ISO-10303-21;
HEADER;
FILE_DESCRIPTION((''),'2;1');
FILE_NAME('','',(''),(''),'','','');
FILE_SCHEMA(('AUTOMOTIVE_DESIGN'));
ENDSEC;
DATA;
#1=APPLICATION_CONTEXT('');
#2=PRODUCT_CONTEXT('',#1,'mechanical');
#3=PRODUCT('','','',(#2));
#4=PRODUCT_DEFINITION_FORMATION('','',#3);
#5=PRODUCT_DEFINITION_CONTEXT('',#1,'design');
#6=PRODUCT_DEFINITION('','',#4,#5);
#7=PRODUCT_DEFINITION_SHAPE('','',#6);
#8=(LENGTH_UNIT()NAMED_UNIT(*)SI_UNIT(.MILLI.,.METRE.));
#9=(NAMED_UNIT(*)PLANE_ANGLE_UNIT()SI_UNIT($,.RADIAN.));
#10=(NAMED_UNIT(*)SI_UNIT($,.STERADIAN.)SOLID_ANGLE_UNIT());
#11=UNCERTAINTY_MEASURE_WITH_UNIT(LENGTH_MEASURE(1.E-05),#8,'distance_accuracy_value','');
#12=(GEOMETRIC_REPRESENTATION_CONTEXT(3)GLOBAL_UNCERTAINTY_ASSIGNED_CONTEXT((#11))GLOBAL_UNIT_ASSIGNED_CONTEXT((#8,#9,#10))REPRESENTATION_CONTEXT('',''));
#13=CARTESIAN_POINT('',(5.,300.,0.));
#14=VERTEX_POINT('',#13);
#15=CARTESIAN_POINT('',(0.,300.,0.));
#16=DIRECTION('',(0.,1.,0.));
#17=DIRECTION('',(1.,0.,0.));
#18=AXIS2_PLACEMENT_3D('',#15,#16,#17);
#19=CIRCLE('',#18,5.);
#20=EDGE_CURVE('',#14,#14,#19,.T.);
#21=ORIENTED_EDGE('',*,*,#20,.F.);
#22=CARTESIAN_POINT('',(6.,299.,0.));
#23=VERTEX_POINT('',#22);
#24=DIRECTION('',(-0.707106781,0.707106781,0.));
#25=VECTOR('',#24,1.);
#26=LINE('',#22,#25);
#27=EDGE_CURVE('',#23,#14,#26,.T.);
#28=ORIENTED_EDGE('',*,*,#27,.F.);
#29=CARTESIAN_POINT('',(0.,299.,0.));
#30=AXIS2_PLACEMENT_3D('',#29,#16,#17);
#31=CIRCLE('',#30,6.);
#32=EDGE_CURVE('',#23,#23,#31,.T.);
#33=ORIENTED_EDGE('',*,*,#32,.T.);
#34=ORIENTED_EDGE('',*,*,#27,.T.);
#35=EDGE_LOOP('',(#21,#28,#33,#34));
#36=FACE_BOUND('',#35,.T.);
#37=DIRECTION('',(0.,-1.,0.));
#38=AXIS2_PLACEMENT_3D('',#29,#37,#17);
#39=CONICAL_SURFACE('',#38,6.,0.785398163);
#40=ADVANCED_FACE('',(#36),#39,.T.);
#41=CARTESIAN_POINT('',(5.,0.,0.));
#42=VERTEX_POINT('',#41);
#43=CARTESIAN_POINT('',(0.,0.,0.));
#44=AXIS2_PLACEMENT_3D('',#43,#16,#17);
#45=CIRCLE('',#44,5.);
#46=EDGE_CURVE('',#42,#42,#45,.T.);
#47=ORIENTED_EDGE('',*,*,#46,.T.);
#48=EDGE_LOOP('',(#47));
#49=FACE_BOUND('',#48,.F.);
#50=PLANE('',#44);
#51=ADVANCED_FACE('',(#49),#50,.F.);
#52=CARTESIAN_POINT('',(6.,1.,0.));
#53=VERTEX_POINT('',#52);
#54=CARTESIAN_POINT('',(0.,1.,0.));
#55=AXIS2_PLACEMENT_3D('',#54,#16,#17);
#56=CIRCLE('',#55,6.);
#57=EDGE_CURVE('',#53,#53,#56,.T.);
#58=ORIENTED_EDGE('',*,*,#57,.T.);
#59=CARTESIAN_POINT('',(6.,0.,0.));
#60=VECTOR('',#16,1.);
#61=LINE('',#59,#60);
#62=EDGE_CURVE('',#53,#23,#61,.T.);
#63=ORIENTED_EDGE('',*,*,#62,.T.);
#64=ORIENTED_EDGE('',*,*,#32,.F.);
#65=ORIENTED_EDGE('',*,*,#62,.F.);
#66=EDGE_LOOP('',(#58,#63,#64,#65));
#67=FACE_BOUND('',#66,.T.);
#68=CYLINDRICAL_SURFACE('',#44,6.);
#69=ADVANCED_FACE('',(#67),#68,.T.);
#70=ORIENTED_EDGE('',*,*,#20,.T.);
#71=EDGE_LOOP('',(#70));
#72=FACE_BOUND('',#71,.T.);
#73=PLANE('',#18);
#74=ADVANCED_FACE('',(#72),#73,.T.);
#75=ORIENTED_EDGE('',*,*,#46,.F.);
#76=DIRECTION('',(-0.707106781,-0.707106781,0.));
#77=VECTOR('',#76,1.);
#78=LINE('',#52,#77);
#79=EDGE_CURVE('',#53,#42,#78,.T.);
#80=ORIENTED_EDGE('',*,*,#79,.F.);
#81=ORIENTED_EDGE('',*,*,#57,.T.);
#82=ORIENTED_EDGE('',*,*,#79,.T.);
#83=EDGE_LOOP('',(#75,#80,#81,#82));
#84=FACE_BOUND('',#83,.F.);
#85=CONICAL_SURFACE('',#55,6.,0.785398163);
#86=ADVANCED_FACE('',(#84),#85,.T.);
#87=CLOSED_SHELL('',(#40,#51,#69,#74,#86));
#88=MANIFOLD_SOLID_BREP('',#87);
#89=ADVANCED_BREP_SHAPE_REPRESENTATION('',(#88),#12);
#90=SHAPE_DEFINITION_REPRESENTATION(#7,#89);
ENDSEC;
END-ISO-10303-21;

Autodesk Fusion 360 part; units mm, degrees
cylinder "円柱プリミティブ1" add diameter 12 height 300 placed x (1, 0, 0) y (0, 0, -1) z (0, 1, 0) at (0, 0, 0)
chamfer "面取り1" distance 1 angle 45 2 edges at (-5.594, 300, 2.1697) (-5.594, 0, -2.1697)
